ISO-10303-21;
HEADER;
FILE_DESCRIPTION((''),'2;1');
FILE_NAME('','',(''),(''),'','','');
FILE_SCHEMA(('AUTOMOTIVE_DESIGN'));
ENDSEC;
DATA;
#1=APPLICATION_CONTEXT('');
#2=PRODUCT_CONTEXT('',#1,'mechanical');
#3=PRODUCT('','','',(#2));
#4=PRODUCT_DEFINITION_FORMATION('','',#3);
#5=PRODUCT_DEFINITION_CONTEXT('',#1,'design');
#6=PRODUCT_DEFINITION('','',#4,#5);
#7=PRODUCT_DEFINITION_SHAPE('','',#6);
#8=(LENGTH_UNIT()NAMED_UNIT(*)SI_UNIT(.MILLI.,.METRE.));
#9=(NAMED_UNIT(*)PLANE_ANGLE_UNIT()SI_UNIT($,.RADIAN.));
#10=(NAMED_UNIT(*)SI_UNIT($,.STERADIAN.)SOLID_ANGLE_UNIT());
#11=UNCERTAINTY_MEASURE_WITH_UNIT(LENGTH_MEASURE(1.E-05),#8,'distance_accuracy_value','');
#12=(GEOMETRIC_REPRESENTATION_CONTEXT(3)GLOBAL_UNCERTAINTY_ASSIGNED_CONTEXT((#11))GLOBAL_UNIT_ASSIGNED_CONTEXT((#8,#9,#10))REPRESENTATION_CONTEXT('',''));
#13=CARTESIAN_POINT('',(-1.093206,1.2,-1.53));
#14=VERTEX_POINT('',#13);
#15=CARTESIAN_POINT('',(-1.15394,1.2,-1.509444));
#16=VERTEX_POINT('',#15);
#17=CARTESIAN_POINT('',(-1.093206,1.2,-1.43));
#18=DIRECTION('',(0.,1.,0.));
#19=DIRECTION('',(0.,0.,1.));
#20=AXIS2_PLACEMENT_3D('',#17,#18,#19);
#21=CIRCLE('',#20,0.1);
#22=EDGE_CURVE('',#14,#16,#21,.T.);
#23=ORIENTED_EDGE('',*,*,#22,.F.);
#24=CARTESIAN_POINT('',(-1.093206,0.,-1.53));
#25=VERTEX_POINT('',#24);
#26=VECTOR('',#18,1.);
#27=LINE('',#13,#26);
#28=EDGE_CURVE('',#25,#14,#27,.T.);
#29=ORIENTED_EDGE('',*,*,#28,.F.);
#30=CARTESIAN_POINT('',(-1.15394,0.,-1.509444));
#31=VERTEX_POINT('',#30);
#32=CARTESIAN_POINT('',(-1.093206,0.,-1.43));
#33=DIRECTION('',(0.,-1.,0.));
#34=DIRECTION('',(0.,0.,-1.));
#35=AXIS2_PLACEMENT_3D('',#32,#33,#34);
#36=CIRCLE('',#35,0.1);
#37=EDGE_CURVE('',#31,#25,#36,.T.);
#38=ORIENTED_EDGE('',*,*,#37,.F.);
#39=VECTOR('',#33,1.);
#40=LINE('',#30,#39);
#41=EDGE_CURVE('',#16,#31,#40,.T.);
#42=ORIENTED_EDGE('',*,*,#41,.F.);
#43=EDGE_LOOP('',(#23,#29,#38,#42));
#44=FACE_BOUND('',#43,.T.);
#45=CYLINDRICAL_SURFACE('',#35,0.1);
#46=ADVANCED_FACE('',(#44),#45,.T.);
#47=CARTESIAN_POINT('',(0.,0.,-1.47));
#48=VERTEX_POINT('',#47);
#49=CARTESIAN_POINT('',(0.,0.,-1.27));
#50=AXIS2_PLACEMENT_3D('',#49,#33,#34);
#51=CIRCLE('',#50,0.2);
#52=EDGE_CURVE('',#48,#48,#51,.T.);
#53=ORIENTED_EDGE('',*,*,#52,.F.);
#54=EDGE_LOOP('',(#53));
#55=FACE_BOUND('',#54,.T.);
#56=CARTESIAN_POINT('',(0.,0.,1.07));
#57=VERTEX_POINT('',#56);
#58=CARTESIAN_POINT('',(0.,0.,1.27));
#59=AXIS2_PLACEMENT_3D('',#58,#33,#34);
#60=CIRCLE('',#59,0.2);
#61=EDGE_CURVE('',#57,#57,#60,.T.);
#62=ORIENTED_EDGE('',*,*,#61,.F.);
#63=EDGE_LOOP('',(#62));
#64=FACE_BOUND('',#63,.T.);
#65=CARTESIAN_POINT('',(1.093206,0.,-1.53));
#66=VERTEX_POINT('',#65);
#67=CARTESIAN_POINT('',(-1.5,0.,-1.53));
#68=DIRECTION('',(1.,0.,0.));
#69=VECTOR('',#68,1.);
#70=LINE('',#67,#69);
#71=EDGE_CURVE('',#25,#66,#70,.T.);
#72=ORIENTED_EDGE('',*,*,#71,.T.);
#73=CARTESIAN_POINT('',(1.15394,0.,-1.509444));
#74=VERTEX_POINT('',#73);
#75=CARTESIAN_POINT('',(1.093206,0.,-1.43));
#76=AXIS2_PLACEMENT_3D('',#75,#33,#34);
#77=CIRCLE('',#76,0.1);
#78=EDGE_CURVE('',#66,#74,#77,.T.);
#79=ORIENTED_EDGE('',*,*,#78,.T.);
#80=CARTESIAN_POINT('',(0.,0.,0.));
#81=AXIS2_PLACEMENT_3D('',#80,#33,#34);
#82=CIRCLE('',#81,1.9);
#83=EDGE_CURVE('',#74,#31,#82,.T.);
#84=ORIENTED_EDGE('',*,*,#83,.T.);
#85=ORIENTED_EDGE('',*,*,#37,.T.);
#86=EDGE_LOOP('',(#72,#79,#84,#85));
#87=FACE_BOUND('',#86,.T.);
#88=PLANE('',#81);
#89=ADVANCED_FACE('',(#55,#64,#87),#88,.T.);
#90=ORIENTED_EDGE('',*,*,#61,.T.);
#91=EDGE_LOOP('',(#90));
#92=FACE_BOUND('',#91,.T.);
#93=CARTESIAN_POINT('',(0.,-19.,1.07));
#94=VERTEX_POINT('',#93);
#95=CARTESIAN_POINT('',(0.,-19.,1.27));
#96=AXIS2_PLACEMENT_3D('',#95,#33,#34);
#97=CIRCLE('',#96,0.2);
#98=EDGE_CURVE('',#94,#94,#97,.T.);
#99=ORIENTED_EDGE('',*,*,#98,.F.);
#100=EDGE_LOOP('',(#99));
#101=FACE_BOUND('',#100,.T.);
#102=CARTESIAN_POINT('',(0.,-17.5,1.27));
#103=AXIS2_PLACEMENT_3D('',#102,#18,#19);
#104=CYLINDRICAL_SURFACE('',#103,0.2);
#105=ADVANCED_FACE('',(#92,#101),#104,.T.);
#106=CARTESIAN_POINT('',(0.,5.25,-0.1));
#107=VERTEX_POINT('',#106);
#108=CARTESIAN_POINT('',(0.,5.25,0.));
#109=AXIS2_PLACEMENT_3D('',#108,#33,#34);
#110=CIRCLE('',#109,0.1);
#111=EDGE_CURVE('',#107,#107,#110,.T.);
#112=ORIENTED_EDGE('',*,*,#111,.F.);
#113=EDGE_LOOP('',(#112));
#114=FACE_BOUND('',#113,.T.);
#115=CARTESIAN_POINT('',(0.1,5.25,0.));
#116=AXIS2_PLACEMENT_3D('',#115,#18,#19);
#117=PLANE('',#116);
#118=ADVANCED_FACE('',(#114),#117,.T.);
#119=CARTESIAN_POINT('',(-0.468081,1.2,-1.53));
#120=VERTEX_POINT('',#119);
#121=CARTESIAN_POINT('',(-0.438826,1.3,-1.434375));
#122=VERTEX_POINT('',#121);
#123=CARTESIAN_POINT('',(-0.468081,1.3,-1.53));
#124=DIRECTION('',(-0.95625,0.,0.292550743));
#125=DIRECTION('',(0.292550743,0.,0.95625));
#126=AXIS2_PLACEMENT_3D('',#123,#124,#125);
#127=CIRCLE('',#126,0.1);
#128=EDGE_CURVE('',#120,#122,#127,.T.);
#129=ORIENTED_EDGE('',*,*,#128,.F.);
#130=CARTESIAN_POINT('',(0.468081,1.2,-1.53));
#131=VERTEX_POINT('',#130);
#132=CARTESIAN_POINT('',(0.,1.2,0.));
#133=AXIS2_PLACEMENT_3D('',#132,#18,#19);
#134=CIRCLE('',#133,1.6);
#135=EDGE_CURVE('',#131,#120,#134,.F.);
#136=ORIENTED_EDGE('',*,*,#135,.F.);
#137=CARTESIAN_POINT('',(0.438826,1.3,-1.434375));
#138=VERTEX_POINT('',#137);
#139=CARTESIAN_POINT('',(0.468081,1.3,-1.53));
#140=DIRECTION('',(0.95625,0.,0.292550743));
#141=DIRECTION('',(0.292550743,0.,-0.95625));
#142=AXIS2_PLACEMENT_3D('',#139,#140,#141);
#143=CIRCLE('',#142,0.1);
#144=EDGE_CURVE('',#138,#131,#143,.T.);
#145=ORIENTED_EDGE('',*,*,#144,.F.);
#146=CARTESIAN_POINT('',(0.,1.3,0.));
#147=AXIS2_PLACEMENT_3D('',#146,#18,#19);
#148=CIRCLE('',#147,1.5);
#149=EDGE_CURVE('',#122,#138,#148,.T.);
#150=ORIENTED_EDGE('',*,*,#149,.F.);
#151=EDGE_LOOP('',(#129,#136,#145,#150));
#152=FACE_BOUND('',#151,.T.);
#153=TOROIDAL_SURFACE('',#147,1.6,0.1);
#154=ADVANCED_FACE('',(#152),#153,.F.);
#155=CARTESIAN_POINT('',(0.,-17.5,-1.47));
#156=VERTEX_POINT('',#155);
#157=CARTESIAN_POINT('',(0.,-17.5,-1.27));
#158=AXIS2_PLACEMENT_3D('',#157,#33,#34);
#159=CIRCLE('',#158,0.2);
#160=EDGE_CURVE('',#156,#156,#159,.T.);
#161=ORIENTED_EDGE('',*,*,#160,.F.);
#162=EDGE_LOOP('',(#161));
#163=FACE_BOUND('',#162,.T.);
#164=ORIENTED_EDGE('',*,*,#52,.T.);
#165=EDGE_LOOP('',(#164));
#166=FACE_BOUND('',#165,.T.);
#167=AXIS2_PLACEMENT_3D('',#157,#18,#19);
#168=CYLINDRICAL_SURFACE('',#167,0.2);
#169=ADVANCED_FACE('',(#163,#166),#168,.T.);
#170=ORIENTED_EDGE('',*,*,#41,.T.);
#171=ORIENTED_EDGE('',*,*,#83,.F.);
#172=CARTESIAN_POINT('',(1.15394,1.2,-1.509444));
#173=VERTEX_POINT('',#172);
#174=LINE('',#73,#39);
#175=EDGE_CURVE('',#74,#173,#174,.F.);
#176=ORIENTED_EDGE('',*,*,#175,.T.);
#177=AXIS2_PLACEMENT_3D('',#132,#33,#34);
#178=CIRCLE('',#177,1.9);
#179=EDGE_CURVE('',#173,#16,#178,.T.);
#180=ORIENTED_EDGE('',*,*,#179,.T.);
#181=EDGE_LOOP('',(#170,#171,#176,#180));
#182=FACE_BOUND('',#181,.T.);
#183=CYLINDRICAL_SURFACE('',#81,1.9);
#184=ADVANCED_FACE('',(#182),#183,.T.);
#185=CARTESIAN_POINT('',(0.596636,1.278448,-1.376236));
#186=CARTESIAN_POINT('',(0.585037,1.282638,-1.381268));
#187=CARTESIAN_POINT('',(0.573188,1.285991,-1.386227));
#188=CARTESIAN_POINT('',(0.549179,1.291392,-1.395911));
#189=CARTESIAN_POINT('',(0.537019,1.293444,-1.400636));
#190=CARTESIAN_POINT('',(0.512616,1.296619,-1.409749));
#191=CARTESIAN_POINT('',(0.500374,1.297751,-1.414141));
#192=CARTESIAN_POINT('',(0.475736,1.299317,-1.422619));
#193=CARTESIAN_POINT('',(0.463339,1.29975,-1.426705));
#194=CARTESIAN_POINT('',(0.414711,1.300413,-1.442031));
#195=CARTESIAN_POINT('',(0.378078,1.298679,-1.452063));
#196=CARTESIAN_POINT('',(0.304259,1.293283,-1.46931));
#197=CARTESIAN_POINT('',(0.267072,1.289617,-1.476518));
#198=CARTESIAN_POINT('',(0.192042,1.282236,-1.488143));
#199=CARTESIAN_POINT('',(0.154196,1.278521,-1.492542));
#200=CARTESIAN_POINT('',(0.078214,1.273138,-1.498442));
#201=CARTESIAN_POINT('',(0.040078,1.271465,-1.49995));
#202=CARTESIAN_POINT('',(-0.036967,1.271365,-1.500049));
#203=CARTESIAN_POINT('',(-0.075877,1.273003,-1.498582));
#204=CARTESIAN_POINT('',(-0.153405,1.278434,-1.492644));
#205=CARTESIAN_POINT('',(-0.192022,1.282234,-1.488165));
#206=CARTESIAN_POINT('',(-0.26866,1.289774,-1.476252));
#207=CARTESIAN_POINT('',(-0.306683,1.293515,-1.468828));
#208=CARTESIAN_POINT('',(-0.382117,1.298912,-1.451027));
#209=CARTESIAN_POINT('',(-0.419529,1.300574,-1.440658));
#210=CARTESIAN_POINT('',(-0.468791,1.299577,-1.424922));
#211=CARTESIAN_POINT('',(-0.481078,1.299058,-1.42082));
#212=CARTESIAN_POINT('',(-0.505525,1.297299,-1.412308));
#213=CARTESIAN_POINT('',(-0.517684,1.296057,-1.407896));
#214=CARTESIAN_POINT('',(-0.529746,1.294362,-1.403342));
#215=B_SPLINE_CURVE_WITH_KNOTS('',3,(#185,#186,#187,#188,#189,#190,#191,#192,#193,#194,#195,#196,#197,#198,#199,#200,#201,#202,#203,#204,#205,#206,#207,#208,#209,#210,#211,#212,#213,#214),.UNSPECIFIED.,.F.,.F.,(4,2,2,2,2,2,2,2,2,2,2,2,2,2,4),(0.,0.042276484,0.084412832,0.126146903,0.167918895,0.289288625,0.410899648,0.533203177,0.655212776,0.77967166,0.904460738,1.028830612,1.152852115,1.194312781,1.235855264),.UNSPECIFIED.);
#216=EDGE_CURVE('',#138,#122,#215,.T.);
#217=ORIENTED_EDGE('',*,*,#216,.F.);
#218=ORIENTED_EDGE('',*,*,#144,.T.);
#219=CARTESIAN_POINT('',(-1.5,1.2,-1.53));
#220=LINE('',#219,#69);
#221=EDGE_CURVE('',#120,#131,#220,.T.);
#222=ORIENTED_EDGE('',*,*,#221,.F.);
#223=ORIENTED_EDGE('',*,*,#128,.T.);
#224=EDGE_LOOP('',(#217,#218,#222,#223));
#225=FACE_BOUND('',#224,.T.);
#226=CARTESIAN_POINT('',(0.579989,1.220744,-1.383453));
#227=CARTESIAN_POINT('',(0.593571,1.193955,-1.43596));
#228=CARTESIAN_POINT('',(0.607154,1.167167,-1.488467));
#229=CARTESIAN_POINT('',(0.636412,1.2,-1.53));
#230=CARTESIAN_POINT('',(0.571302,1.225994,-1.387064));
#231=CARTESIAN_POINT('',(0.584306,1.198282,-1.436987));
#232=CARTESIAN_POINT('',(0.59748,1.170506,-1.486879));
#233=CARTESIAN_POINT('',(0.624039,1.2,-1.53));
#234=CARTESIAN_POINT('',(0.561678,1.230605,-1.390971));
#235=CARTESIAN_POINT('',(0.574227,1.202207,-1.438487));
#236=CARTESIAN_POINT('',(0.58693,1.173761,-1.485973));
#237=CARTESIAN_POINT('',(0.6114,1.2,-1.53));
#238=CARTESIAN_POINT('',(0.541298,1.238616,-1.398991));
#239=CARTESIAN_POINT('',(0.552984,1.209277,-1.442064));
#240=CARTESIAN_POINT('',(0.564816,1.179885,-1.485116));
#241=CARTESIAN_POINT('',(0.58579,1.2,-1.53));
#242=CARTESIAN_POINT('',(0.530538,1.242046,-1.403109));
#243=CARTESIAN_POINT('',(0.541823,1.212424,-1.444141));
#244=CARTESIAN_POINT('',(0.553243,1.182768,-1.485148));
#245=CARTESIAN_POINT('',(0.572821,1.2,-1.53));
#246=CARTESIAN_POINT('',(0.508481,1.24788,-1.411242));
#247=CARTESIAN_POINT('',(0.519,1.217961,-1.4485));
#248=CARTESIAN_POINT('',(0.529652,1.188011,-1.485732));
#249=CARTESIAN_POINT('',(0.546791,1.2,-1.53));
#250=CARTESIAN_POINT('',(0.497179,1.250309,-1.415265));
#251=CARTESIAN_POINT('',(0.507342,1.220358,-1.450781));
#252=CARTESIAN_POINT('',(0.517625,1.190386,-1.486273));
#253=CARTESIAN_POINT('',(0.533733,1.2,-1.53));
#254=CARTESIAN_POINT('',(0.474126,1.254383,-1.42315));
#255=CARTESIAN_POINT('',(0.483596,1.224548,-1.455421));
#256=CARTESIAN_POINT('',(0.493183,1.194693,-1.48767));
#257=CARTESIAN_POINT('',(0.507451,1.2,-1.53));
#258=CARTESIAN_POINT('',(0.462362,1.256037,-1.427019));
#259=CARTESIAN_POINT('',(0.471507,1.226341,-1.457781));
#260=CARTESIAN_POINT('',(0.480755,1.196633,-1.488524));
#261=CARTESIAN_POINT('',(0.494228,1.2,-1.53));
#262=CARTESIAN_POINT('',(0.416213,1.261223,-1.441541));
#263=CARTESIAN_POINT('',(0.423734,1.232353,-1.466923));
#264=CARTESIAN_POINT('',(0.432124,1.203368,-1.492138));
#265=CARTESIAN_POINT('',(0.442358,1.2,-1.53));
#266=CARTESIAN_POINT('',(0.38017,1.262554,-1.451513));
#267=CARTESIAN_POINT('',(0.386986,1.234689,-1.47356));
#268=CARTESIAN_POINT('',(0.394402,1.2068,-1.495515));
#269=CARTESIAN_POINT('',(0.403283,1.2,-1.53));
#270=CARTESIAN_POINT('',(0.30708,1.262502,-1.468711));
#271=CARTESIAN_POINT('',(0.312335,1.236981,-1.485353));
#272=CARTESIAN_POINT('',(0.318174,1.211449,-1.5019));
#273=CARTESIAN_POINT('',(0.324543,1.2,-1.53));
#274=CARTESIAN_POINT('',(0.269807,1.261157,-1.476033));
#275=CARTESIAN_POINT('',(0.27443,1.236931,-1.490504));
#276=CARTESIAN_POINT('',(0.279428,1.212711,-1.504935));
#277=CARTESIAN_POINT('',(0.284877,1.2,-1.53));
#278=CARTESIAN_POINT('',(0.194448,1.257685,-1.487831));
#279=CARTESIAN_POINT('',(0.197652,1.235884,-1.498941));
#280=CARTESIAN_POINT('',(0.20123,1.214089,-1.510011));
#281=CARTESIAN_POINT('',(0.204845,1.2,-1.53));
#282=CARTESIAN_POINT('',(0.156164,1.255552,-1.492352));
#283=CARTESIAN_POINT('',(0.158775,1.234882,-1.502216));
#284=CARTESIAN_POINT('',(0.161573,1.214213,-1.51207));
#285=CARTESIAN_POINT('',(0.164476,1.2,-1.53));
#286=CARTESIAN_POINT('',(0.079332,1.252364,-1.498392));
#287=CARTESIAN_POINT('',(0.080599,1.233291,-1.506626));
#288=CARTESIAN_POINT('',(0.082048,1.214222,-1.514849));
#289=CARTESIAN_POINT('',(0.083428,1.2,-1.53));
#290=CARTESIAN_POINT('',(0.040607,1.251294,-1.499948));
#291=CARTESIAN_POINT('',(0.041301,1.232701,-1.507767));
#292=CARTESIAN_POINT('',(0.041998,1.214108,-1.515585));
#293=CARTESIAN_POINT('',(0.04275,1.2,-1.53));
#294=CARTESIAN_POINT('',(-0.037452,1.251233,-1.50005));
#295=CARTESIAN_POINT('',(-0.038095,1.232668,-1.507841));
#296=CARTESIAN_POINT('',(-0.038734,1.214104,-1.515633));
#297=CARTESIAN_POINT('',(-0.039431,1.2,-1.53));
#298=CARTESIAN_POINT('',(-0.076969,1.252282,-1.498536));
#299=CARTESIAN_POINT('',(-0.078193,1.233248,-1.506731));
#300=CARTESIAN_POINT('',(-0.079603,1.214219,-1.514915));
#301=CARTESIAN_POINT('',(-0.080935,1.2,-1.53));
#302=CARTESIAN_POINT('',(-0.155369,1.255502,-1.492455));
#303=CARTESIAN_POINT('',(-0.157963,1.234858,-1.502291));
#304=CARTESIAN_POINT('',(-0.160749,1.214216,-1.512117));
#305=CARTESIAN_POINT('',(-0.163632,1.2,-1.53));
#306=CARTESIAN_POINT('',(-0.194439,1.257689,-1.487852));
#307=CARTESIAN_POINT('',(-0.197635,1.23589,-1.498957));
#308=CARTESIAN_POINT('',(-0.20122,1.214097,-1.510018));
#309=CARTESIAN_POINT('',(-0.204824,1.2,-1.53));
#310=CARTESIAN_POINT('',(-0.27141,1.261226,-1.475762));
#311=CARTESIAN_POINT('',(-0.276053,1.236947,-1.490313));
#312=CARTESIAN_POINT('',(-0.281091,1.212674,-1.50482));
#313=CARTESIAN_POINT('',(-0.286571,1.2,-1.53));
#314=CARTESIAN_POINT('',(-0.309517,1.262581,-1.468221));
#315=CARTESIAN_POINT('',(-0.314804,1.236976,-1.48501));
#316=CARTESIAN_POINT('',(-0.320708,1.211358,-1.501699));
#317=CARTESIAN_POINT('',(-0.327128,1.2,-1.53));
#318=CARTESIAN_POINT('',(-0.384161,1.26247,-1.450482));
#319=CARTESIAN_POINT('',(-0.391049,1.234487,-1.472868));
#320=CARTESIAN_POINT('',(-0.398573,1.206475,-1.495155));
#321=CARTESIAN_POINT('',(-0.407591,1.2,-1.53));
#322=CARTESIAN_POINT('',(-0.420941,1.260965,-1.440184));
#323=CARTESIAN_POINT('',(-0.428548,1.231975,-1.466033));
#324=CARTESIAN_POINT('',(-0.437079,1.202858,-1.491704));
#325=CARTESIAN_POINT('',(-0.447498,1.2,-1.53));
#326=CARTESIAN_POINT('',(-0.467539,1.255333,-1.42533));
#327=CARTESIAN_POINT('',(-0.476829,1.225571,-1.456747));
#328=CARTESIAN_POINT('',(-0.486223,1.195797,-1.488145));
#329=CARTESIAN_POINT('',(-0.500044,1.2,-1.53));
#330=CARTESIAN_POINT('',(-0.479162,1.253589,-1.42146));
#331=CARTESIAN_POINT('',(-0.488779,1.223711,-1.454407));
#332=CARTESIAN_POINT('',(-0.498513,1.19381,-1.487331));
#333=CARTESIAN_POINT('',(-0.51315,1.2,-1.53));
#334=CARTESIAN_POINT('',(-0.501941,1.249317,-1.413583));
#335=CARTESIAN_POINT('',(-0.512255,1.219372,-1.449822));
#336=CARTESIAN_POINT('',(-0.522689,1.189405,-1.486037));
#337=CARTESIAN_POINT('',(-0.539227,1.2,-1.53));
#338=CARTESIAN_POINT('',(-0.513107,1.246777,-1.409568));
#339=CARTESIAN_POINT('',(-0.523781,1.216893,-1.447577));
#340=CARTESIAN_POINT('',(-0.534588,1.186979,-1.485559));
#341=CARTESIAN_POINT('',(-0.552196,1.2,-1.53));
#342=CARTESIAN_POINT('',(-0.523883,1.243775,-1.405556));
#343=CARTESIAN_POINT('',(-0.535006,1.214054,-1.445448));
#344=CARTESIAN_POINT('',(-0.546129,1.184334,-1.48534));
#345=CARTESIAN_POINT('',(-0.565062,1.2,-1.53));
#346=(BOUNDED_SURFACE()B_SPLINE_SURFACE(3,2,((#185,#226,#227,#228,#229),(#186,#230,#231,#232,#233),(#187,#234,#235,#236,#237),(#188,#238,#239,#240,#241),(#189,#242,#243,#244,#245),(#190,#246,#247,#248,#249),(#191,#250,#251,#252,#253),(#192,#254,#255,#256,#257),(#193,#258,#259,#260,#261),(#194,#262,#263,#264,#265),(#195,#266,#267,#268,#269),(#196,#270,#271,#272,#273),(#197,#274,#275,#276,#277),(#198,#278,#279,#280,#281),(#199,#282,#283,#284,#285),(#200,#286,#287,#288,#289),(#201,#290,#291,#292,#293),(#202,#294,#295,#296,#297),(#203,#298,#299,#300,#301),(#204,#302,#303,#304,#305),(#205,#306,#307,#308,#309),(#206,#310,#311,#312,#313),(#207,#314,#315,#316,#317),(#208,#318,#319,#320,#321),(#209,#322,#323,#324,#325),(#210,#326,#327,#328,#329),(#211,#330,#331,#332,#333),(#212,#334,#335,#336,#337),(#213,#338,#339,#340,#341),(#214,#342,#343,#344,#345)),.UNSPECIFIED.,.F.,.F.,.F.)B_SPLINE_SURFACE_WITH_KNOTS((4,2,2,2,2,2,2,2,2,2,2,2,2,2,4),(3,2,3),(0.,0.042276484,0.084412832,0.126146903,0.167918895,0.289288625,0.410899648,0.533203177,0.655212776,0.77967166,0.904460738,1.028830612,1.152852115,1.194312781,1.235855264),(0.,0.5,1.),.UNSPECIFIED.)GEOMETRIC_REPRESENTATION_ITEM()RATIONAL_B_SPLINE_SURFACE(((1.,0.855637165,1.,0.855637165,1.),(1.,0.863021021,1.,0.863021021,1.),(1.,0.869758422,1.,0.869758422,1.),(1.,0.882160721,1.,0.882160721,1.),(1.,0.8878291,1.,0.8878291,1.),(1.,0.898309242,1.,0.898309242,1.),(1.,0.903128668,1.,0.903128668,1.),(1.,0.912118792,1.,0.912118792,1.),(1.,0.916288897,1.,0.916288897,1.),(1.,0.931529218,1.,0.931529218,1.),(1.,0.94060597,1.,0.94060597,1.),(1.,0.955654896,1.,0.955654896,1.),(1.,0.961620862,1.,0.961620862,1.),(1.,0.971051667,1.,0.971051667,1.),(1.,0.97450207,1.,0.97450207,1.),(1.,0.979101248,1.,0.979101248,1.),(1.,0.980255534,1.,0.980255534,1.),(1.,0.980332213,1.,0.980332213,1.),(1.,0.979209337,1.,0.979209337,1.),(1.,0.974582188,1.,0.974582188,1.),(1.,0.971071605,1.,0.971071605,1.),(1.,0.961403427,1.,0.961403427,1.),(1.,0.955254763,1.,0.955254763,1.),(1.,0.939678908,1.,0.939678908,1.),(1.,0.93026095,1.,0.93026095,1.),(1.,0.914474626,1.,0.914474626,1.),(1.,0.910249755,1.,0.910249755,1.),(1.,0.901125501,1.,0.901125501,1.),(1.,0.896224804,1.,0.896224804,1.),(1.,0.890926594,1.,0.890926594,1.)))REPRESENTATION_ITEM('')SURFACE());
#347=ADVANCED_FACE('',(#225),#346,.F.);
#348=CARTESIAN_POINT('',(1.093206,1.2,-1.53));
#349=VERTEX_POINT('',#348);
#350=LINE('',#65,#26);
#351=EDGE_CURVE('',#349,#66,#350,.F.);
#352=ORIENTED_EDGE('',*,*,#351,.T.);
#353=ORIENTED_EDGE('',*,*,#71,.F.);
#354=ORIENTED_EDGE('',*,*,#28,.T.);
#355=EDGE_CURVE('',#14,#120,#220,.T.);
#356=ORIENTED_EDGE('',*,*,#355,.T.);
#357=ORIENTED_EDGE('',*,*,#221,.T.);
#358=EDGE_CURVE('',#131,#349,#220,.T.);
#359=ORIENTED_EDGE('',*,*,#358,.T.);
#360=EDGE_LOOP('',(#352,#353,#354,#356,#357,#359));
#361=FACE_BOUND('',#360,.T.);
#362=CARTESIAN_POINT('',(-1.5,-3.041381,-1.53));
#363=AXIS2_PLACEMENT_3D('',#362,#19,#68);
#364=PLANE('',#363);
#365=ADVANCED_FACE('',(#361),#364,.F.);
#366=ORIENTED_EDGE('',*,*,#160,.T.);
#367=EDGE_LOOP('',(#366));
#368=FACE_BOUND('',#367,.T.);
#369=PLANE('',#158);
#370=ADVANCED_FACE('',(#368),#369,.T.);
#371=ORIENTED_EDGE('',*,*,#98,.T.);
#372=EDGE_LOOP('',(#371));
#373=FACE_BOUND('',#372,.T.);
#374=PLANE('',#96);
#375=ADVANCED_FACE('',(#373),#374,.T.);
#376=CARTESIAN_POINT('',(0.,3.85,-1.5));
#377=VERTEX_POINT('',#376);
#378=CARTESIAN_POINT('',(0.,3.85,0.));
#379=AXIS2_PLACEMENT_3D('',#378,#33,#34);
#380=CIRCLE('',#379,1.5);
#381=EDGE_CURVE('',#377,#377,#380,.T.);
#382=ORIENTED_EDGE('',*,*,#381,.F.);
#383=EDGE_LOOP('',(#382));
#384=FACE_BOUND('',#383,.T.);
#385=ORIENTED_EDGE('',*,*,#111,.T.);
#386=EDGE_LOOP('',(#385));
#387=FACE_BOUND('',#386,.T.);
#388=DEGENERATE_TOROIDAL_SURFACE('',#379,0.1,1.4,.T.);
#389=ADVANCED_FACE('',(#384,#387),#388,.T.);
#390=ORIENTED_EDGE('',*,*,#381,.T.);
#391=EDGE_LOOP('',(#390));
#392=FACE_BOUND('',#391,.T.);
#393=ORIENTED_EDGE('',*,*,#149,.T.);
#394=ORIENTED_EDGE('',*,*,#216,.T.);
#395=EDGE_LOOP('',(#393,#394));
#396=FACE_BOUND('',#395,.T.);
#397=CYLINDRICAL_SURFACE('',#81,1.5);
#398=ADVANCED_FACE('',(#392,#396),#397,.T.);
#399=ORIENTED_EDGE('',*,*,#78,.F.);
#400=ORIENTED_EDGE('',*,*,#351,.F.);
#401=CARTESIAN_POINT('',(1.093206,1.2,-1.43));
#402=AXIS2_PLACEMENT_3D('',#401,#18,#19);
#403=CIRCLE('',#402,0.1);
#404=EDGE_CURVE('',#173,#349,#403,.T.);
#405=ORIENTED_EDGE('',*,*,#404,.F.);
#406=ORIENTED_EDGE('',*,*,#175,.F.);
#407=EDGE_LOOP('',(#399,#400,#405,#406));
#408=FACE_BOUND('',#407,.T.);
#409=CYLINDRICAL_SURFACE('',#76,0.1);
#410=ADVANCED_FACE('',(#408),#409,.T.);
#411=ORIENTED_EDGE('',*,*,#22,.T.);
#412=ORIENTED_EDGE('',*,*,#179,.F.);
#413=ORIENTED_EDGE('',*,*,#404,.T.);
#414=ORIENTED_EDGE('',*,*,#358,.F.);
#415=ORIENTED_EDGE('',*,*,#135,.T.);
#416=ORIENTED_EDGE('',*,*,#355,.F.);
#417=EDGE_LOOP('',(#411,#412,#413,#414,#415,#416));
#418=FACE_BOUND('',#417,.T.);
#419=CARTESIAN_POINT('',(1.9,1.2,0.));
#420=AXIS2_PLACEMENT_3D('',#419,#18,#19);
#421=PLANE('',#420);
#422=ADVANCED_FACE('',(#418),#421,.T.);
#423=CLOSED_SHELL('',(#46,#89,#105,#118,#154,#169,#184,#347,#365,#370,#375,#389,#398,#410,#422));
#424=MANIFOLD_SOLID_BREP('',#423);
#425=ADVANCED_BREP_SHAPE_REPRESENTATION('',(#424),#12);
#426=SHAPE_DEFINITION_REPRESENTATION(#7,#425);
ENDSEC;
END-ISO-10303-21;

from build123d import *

# Parameters (mm, degrees)
SKETCH2_W           = 3
SKETCH2_H           = 0.5
CUT_EXTRUDE1_DEPTH  = 1.2
FILLET1_R           = 0.1
SKETCH3_R           = 0.2
BOSS_EXTRUDE1_DEPTH = 17.5
SKETCH4_R           = 0.2
BOSS_EXTRUDE2_DEPTH = 1.5


with BuildPart() as part:
    # Sketch1 → Revolve1 (revolve)
    with BuildSketch(Plane.XY):
        with BuildLine():
            Line((0, 0), (0, 5.25))
            Line((0, 5.25), (0.1, 5.25))
            ThreePointArc((0.1, 5.25), (1.089949494, 4.839949494), (1.5, 3.85))
            Line((1.5, 3.85), (1.5, 1.2))
            Line((1.5, 1.2), (1.9, 1.2))
            Line((1.9, 1.2), (1.9, 0))
            Line((1.9, 0), (0, 0))
        make_face()
    revolve(axis=Axis((0, 0, 0), (0, 1, 0)))

    # Sketch2 → Cut-Extrude1 (cut)
    with BuildSketch(Plane(origin=(0, 1.2, 0), x_dir=(1, 0, 0), z_dir=(0, 1, 0))):
        with Locations((0, 1.78)):
            Rectangle(SKETCH2_W, SKETCH2_H)
    extrude(amount=-CUT_EXTRUDE1_DEPTH, mode=Mode.SUBTRACT)

    # Fillet1
    fillet1_edges = [part.edges().sort_by_distance(p)[0] for p in [
        (1.126543386, 0.6, -1.53),
        (-1.126543386, 0.6, -1.53),
        (-1.5, 1.2, 0),
    ]]
    fillet(fillet1_edges, radius=FILLET1_R)

    # Sketch3 → Boss-Extrude1 (add)
    with BuildSketch(Plane.XZ):
        with Locations((0, 1.27)):
            Circle(SKETCH3_R)
        with Locations((0, -1.27)):
            Circle(SKETCH3_R)
    extrude(amount=BOSS_EXTRUDE1_DEPTH)

    # Sketch4 → Boss-Extrude2 (add)
    with BuildSketch(Plane.XZ.offset(17.5)):
        with Locations((0, 1.27)):
            Circle(SKETCH4_R)
    extrude(amount=BOSS_EXTRUDE2_DEPTH)


solid = part.part
